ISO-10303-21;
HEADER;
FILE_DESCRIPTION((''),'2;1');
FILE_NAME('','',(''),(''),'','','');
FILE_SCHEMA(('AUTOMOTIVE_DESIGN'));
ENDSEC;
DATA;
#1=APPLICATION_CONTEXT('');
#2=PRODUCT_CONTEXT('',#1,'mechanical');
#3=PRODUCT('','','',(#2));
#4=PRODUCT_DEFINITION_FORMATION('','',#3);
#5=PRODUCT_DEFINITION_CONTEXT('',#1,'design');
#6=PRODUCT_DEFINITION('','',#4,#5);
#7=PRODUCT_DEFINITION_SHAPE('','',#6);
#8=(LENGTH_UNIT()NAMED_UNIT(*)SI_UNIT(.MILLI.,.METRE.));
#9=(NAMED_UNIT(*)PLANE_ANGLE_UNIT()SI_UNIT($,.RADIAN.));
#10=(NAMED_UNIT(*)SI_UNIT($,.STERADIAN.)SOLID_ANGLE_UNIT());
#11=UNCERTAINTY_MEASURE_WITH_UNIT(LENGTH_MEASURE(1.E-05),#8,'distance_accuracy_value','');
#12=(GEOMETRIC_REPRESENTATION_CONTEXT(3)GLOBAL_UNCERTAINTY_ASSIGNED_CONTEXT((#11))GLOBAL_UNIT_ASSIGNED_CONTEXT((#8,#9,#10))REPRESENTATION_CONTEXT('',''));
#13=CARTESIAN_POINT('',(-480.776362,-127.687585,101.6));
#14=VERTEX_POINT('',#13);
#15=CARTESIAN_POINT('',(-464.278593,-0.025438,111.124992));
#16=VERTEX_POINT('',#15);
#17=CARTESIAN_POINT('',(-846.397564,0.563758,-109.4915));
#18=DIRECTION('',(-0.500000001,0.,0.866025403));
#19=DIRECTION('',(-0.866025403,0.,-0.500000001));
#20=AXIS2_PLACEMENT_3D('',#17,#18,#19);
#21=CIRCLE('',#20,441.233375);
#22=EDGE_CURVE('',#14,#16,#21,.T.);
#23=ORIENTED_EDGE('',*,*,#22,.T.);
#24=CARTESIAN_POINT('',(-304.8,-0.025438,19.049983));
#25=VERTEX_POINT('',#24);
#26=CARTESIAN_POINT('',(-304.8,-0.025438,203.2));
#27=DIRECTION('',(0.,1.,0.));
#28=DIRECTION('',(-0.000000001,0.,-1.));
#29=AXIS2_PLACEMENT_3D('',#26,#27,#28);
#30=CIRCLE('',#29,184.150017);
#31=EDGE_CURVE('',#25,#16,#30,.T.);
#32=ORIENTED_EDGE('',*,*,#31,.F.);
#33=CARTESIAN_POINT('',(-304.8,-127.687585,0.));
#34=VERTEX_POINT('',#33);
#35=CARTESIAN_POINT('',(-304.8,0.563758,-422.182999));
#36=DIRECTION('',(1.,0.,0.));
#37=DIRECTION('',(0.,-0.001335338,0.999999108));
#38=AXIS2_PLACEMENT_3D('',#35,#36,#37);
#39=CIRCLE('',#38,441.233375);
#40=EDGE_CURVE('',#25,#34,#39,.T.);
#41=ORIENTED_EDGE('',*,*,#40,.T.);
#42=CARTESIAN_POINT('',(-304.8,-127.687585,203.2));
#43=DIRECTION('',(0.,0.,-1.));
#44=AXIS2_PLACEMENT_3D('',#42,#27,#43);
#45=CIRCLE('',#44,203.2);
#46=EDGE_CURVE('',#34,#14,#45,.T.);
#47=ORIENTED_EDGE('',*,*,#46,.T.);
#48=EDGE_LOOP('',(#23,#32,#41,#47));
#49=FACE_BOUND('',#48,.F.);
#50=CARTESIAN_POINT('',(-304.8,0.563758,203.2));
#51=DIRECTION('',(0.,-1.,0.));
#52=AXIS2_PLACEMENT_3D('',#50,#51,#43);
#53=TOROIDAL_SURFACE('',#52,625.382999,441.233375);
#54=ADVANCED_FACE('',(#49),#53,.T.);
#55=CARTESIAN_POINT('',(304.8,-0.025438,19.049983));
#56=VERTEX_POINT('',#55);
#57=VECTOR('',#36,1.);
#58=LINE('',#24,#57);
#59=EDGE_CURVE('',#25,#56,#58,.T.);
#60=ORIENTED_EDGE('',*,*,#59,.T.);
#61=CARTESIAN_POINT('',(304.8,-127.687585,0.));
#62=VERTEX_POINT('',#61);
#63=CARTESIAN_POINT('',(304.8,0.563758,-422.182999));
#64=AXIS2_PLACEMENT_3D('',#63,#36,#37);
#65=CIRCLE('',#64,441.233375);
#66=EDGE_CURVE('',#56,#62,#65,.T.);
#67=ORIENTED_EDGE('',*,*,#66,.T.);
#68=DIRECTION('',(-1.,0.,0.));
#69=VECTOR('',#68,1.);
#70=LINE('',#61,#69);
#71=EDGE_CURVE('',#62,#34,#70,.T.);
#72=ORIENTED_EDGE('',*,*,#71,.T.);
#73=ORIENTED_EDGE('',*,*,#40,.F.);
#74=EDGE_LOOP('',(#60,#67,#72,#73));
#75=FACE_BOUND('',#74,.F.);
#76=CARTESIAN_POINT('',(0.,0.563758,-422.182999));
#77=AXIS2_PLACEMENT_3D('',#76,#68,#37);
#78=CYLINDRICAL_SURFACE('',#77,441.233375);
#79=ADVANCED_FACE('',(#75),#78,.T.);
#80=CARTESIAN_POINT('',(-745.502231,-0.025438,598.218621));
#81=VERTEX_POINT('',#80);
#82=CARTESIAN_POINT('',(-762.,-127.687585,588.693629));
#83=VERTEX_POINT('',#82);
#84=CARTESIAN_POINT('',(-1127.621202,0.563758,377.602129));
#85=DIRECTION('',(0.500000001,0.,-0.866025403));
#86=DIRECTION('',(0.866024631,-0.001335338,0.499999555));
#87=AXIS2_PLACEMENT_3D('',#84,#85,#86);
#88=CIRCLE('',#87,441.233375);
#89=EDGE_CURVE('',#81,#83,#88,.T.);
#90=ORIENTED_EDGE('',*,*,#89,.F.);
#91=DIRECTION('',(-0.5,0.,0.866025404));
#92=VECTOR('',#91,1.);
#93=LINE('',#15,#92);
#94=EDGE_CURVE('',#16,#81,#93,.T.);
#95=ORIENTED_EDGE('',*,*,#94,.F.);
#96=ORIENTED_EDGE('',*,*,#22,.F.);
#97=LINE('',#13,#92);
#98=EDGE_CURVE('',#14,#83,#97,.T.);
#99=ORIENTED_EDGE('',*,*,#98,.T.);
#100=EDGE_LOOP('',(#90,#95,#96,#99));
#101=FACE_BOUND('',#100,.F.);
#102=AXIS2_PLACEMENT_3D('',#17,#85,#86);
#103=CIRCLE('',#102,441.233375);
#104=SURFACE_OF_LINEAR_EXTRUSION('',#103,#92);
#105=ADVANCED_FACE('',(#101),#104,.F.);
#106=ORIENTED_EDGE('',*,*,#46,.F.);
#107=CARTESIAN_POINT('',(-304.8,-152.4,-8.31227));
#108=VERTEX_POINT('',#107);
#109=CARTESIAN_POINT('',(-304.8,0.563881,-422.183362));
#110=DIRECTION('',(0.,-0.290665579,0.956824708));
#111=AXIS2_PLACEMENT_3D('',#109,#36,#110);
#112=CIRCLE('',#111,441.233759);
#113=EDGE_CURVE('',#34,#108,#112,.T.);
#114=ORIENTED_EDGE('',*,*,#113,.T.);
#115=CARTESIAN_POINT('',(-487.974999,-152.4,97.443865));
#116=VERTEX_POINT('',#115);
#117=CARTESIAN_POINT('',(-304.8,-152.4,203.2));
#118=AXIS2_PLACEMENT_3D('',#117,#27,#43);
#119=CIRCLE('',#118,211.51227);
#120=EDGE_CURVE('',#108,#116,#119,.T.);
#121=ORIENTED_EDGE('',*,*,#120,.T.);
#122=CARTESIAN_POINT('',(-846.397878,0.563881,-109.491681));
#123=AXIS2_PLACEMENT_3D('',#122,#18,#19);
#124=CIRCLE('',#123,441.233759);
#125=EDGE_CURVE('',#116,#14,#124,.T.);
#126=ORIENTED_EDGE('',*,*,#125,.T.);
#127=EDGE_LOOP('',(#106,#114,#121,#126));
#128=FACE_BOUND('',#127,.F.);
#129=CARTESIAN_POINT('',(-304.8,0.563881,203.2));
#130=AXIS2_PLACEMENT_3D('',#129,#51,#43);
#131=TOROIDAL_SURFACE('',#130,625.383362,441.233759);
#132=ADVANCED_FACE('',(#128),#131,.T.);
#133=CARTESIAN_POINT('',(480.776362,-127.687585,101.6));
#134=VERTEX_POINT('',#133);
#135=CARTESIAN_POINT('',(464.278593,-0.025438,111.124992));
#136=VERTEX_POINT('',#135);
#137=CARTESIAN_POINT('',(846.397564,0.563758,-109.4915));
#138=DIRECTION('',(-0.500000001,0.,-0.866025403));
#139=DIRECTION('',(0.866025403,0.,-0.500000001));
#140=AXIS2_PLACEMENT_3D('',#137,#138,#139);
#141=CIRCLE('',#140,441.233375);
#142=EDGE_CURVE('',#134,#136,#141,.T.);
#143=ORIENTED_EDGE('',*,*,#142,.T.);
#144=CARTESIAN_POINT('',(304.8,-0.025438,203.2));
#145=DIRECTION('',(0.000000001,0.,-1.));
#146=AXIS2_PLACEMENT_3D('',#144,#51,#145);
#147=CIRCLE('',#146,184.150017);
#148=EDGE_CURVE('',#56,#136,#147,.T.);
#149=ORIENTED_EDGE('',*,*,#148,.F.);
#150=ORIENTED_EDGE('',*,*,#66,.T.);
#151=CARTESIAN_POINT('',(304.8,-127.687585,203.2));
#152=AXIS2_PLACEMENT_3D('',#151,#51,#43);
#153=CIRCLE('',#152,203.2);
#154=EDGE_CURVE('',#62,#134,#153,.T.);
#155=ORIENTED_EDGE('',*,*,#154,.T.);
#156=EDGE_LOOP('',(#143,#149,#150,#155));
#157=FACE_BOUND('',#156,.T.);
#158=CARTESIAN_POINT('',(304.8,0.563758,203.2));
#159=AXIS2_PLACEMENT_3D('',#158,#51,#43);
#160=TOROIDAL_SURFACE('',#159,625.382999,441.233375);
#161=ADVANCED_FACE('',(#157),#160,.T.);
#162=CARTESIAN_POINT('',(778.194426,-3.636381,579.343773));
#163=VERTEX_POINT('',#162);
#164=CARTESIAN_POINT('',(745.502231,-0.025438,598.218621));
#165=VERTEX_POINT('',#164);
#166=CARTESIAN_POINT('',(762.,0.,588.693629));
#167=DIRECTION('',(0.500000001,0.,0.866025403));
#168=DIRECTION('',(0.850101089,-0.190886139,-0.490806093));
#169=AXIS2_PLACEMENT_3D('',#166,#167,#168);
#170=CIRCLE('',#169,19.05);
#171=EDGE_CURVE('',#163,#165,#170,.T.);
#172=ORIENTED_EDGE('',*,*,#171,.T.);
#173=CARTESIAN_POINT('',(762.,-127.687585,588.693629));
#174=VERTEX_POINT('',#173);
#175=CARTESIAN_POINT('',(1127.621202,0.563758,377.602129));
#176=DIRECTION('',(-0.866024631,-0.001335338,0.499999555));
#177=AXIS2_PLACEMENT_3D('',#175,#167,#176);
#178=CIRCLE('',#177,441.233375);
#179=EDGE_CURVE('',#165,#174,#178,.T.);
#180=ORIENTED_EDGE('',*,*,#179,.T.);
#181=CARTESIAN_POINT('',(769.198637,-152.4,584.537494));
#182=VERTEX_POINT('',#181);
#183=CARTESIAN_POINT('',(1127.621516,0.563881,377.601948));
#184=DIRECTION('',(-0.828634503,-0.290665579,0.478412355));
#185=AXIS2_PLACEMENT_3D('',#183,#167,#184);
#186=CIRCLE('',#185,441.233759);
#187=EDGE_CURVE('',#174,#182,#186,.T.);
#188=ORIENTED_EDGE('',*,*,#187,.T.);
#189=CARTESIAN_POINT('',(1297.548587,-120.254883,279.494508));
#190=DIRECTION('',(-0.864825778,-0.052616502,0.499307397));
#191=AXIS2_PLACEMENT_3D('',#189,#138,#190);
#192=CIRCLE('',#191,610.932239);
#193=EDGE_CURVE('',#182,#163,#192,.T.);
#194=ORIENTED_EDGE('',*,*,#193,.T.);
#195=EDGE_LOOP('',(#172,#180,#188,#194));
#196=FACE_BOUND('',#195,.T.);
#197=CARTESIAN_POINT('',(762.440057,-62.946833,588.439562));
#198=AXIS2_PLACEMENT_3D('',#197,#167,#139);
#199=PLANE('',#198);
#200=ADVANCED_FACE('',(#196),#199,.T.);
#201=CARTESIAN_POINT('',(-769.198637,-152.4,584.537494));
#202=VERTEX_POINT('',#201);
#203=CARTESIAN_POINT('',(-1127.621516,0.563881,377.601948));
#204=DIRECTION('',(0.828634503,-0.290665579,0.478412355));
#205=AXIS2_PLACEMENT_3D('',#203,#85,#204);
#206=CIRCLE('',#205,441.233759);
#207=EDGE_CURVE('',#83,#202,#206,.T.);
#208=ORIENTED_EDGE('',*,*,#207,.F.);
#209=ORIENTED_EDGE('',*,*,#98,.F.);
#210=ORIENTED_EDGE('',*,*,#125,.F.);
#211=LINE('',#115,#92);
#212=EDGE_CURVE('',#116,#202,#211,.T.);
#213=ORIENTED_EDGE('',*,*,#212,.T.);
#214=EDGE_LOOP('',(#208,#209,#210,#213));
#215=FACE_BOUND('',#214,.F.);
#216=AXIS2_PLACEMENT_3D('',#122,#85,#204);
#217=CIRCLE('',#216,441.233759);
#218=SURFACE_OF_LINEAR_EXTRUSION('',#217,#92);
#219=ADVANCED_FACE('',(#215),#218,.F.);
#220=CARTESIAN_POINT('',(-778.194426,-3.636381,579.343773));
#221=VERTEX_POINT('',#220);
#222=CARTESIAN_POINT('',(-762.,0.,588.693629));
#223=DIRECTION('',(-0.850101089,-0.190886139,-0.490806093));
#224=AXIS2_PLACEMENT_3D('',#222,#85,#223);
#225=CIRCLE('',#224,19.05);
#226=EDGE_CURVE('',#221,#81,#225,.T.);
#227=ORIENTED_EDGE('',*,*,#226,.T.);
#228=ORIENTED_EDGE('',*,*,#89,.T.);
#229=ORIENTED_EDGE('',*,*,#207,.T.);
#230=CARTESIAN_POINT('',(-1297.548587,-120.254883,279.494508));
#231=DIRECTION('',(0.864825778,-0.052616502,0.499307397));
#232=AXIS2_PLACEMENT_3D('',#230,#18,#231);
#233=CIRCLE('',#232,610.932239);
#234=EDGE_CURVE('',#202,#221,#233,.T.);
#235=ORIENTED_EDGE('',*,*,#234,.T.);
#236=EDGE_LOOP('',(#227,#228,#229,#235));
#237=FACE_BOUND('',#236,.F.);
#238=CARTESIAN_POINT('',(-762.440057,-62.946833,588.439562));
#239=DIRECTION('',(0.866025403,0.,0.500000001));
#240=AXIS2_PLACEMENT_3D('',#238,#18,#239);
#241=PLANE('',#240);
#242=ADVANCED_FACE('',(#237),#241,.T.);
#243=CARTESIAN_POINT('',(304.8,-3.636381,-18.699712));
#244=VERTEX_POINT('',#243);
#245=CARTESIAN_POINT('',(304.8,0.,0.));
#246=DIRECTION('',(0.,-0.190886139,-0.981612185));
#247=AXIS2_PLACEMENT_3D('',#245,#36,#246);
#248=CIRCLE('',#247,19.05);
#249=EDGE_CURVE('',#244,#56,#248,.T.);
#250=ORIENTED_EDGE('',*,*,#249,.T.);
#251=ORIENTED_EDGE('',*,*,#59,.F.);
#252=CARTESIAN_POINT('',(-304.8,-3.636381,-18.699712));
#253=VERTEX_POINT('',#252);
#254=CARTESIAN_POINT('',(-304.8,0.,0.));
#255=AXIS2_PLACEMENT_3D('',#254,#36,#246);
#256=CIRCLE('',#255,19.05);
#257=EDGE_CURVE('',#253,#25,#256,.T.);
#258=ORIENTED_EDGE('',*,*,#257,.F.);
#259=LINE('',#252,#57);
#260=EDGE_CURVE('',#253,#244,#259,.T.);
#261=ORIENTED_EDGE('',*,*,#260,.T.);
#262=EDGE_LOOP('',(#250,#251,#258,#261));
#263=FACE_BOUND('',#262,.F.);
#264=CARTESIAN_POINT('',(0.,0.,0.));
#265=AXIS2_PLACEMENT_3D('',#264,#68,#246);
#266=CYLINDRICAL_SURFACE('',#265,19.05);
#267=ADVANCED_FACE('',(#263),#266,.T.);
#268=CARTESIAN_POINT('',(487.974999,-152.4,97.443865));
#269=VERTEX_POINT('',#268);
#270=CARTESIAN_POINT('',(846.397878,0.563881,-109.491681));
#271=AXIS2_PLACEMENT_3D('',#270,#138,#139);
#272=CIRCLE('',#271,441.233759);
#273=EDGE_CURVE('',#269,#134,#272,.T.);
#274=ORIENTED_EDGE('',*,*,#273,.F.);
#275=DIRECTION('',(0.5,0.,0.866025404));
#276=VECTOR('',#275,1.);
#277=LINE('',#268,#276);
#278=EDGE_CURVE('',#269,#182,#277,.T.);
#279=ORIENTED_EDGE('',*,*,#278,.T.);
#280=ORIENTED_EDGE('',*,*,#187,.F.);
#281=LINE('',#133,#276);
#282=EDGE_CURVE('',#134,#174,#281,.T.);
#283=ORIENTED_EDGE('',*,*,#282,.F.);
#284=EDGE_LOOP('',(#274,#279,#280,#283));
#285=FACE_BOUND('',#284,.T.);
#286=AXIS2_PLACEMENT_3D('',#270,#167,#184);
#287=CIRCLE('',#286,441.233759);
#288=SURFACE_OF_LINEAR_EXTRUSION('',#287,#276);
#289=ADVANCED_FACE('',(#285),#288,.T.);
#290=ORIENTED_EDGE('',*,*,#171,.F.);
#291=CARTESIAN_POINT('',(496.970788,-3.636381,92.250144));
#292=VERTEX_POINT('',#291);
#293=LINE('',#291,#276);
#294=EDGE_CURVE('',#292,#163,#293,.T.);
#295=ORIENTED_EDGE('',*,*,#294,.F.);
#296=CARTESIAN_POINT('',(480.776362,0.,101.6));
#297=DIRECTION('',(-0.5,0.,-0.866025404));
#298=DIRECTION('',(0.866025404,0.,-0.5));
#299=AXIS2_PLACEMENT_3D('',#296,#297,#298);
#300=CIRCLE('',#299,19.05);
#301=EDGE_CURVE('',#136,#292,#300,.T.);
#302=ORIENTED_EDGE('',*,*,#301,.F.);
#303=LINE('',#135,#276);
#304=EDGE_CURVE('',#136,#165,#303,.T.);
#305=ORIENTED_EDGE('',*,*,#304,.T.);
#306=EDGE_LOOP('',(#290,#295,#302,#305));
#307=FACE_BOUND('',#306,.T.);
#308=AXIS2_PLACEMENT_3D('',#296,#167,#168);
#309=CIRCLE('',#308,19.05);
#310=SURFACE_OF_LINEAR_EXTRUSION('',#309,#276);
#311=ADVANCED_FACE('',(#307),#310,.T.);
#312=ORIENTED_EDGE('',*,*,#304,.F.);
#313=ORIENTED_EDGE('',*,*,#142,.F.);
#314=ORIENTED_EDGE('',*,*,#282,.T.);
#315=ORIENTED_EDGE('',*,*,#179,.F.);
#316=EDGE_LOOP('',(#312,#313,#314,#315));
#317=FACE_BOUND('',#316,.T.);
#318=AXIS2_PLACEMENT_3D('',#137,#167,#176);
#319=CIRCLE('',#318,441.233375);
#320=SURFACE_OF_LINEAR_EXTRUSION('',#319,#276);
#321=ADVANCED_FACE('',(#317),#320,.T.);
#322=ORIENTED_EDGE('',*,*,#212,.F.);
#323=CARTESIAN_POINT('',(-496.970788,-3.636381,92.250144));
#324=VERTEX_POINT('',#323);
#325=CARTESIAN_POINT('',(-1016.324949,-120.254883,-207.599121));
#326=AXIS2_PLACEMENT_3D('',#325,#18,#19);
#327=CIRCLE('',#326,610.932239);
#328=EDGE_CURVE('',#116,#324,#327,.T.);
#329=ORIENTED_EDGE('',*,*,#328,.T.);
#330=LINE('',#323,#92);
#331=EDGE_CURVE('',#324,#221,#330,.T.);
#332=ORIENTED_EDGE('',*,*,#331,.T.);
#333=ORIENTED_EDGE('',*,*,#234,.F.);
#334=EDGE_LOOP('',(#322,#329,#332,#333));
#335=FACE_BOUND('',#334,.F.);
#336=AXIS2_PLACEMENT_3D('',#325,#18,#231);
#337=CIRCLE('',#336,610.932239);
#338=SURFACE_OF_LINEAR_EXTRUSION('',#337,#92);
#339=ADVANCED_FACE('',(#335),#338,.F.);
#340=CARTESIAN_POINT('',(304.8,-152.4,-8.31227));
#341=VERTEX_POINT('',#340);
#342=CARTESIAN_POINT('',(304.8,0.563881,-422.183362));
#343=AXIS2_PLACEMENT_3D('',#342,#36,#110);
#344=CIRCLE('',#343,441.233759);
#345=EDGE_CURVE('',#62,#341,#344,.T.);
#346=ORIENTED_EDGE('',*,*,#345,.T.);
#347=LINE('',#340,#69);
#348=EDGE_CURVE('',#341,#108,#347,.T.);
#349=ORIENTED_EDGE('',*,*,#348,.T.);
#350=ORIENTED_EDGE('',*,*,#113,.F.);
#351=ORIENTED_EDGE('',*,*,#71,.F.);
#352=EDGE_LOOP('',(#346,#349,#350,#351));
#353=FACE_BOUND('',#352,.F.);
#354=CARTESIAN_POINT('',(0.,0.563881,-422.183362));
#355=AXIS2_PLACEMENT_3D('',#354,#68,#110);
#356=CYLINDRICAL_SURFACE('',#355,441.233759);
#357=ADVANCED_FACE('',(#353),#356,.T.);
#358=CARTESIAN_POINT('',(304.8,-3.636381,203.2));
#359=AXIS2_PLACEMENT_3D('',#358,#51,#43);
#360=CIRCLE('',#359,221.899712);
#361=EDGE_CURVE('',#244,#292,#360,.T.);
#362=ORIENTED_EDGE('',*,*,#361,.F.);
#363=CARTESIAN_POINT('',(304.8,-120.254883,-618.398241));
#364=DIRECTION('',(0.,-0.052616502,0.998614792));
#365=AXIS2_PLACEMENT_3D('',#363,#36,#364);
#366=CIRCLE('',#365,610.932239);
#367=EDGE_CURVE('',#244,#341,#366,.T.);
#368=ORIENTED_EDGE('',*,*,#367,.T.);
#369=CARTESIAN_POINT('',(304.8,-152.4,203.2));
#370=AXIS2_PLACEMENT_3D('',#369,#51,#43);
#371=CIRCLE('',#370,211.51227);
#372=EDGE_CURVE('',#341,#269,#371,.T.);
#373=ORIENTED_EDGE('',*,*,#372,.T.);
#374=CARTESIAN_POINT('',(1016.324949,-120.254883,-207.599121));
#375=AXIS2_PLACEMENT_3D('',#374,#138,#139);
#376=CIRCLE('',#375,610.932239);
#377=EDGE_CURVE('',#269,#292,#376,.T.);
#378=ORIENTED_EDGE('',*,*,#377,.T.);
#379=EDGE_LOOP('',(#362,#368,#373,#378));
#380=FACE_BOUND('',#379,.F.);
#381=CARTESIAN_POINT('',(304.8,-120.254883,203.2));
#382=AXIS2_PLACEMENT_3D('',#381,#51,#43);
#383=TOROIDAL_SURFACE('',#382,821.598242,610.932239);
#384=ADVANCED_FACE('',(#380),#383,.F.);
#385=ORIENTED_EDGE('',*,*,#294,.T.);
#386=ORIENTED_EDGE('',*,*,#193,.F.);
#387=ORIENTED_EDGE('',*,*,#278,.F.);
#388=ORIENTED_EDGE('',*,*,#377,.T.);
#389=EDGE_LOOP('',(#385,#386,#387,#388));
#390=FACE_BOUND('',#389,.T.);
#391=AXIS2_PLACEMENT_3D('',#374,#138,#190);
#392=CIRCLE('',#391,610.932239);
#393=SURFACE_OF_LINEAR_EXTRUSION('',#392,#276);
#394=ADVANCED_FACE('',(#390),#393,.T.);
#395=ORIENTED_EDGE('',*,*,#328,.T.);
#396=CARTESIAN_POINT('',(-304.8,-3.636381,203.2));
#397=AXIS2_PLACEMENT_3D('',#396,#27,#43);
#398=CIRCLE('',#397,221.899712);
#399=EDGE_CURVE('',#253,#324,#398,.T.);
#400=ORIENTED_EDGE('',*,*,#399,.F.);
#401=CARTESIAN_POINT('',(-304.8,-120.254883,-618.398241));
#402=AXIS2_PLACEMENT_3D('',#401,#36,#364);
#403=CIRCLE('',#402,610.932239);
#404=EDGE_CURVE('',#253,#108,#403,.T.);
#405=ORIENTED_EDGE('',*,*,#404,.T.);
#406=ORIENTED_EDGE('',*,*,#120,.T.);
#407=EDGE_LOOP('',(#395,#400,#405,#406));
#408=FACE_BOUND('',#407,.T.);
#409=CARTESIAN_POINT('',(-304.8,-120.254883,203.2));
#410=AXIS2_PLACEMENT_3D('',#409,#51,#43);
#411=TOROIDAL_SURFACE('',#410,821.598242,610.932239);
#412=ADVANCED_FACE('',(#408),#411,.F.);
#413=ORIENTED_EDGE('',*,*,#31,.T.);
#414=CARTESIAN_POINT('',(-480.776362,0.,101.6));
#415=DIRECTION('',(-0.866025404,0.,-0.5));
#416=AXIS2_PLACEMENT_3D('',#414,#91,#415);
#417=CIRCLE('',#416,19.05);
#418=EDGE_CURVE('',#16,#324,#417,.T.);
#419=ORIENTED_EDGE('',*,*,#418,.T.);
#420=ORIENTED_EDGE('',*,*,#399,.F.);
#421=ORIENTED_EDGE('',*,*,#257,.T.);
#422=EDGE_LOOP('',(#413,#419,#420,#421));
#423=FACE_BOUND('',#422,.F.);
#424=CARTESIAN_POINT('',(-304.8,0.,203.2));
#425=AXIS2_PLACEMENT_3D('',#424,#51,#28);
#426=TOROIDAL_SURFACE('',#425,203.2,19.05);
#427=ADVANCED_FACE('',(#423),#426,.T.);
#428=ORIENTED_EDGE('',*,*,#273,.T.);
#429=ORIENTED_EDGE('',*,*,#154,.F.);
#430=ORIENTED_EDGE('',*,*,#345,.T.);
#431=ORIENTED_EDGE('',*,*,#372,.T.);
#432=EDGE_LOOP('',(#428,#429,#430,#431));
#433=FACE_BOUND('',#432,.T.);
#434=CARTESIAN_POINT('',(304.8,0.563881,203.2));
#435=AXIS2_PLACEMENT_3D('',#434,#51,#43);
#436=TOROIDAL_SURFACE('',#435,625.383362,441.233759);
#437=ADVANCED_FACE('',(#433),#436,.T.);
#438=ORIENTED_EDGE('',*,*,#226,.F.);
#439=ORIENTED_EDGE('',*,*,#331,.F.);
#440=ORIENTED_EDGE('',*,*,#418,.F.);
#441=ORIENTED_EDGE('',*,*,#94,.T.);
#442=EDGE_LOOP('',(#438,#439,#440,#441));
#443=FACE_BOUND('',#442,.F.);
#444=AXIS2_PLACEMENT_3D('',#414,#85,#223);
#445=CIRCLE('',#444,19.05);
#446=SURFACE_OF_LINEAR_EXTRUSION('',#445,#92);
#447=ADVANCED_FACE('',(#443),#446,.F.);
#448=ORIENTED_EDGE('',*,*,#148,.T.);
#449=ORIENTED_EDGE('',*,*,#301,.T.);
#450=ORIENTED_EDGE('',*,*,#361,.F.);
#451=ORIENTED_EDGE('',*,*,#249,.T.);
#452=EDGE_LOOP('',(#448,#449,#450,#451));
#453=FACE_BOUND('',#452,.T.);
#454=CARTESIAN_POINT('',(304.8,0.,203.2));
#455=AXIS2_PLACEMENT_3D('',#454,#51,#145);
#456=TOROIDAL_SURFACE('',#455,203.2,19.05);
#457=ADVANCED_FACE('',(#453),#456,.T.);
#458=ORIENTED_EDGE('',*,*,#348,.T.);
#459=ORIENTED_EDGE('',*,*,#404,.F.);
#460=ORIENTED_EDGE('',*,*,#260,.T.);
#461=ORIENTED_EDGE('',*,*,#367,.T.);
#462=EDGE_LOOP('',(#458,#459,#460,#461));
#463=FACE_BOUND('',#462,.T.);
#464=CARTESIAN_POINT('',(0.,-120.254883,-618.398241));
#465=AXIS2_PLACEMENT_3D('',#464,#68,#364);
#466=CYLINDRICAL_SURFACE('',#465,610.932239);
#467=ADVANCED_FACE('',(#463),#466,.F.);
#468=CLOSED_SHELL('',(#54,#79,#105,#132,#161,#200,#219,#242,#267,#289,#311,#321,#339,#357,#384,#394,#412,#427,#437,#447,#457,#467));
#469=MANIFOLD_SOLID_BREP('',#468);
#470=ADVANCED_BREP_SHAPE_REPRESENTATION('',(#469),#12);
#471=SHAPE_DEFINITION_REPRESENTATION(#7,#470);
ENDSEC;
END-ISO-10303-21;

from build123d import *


with BuildPart() as f2:
    # F2: sweep along a path in F0
    with BuildLine(Plane.XZ) as f2_path:
        Line((0, 0), (304.8, 0))
        ThreePointArc((304.8, 0), (406.4, 27.223638), (480.776362, 101.6))
        Line((480.776362, 101.6), (762, 588.693629))
    # F1 (on Right) → F2 (sweep)
    with BuildSketch(Plane.YZ):
        with BuildLine():
            ThreePointArc((-152.4, -8.31227), (-77.70006, -8.949894), (-3.636381, -18.699712))
            ThreePointArc((-3.636381, -18.699712), (18.963441, -1.813946), (-0.025438, 19.049983))
            ThreePointArc((-0.025438, 19.049983), (-64.556873, 14.218416), (-127.687585, 0))
            ThreePointArc((-127.687585, 0), (-140.105203, -3.97356), (-152.4, -8.31227))
        make_face()
    sweep(path=f2_path.line)

    # F3: F2 across plane


with BuildPart() as f2_1:
    add(f2.part)
    add(f2.part.mirror(Plane.YZ))


solid = f2_1.part
